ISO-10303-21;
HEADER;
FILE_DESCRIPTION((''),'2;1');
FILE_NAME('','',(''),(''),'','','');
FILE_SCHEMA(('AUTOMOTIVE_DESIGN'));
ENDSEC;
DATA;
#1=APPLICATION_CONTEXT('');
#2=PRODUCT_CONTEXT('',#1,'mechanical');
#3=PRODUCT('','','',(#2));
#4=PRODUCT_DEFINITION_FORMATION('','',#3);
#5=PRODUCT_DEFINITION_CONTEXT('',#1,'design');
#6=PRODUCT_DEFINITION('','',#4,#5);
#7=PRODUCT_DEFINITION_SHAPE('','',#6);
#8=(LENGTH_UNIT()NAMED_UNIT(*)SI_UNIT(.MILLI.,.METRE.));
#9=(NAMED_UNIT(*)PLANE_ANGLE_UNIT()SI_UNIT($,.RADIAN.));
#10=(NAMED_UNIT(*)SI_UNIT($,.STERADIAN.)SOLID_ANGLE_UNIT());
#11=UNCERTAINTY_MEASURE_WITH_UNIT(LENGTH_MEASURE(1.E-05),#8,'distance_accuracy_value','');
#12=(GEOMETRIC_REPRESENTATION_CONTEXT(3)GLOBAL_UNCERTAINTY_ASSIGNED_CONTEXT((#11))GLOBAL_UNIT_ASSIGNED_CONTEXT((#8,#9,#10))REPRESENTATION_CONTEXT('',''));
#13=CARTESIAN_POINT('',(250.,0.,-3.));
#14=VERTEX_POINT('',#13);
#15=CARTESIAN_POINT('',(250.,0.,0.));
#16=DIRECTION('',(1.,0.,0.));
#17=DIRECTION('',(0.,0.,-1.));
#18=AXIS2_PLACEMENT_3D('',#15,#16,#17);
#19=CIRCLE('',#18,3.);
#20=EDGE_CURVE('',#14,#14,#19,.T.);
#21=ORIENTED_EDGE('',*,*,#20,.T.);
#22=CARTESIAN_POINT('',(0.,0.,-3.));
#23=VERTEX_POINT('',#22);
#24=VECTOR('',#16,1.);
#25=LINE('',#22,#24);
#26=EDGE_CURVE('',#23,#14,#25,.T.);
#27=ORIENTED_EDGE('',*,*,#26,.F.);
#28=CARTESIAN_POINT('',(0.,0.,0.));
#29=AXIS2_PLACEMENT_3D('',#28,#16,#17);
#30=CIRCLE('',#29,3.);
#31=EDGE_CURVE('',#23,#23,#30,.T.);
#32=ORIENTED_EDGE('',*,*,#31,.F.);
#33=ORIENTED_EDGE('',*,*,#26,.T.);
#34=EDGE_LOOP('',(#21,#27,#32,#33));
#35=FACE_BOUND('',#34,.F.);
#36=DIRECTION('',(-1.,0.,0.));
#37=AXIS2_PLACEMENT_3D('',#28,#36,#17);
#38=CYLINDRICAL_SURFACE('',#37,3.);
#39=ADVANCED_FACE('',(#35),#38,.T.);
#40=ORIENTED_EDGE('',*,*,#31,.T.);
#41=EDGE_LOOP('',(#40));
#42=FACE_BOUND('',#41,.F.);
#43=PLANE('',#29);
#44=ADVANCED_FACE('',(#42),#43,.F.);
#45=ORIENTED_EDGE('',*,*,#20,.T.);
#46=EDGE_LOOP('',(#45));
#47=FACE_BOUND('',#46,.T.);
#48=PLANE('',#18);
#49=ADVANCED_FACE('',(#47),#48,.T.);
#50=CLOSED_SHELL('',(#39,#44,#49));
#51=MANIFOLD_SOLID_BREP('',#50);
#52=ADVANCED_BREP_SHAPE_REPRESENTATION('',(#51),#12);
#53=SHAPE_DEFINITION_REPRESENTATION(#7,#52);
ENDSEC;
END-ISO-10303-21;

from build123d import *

# Parameters (mm, degrees)
ESBO_O1_R                = 3
RESSALTO_EXTRUS_O1_DEPTH = 250


with BuildPart() as part:
    # Esboço1 → Ressalto-extrusão1 (new body)
    with BuildSketch(Plane(origin=(0, 0, 0), x_dir=(0, 0, -1), z_dir=(1, 0, 0))):
        Circle(ESBO_O1_R)
    extrude(amount=RESSALTO_EXTRUS_O1_DEPTH)


solid = part.part
